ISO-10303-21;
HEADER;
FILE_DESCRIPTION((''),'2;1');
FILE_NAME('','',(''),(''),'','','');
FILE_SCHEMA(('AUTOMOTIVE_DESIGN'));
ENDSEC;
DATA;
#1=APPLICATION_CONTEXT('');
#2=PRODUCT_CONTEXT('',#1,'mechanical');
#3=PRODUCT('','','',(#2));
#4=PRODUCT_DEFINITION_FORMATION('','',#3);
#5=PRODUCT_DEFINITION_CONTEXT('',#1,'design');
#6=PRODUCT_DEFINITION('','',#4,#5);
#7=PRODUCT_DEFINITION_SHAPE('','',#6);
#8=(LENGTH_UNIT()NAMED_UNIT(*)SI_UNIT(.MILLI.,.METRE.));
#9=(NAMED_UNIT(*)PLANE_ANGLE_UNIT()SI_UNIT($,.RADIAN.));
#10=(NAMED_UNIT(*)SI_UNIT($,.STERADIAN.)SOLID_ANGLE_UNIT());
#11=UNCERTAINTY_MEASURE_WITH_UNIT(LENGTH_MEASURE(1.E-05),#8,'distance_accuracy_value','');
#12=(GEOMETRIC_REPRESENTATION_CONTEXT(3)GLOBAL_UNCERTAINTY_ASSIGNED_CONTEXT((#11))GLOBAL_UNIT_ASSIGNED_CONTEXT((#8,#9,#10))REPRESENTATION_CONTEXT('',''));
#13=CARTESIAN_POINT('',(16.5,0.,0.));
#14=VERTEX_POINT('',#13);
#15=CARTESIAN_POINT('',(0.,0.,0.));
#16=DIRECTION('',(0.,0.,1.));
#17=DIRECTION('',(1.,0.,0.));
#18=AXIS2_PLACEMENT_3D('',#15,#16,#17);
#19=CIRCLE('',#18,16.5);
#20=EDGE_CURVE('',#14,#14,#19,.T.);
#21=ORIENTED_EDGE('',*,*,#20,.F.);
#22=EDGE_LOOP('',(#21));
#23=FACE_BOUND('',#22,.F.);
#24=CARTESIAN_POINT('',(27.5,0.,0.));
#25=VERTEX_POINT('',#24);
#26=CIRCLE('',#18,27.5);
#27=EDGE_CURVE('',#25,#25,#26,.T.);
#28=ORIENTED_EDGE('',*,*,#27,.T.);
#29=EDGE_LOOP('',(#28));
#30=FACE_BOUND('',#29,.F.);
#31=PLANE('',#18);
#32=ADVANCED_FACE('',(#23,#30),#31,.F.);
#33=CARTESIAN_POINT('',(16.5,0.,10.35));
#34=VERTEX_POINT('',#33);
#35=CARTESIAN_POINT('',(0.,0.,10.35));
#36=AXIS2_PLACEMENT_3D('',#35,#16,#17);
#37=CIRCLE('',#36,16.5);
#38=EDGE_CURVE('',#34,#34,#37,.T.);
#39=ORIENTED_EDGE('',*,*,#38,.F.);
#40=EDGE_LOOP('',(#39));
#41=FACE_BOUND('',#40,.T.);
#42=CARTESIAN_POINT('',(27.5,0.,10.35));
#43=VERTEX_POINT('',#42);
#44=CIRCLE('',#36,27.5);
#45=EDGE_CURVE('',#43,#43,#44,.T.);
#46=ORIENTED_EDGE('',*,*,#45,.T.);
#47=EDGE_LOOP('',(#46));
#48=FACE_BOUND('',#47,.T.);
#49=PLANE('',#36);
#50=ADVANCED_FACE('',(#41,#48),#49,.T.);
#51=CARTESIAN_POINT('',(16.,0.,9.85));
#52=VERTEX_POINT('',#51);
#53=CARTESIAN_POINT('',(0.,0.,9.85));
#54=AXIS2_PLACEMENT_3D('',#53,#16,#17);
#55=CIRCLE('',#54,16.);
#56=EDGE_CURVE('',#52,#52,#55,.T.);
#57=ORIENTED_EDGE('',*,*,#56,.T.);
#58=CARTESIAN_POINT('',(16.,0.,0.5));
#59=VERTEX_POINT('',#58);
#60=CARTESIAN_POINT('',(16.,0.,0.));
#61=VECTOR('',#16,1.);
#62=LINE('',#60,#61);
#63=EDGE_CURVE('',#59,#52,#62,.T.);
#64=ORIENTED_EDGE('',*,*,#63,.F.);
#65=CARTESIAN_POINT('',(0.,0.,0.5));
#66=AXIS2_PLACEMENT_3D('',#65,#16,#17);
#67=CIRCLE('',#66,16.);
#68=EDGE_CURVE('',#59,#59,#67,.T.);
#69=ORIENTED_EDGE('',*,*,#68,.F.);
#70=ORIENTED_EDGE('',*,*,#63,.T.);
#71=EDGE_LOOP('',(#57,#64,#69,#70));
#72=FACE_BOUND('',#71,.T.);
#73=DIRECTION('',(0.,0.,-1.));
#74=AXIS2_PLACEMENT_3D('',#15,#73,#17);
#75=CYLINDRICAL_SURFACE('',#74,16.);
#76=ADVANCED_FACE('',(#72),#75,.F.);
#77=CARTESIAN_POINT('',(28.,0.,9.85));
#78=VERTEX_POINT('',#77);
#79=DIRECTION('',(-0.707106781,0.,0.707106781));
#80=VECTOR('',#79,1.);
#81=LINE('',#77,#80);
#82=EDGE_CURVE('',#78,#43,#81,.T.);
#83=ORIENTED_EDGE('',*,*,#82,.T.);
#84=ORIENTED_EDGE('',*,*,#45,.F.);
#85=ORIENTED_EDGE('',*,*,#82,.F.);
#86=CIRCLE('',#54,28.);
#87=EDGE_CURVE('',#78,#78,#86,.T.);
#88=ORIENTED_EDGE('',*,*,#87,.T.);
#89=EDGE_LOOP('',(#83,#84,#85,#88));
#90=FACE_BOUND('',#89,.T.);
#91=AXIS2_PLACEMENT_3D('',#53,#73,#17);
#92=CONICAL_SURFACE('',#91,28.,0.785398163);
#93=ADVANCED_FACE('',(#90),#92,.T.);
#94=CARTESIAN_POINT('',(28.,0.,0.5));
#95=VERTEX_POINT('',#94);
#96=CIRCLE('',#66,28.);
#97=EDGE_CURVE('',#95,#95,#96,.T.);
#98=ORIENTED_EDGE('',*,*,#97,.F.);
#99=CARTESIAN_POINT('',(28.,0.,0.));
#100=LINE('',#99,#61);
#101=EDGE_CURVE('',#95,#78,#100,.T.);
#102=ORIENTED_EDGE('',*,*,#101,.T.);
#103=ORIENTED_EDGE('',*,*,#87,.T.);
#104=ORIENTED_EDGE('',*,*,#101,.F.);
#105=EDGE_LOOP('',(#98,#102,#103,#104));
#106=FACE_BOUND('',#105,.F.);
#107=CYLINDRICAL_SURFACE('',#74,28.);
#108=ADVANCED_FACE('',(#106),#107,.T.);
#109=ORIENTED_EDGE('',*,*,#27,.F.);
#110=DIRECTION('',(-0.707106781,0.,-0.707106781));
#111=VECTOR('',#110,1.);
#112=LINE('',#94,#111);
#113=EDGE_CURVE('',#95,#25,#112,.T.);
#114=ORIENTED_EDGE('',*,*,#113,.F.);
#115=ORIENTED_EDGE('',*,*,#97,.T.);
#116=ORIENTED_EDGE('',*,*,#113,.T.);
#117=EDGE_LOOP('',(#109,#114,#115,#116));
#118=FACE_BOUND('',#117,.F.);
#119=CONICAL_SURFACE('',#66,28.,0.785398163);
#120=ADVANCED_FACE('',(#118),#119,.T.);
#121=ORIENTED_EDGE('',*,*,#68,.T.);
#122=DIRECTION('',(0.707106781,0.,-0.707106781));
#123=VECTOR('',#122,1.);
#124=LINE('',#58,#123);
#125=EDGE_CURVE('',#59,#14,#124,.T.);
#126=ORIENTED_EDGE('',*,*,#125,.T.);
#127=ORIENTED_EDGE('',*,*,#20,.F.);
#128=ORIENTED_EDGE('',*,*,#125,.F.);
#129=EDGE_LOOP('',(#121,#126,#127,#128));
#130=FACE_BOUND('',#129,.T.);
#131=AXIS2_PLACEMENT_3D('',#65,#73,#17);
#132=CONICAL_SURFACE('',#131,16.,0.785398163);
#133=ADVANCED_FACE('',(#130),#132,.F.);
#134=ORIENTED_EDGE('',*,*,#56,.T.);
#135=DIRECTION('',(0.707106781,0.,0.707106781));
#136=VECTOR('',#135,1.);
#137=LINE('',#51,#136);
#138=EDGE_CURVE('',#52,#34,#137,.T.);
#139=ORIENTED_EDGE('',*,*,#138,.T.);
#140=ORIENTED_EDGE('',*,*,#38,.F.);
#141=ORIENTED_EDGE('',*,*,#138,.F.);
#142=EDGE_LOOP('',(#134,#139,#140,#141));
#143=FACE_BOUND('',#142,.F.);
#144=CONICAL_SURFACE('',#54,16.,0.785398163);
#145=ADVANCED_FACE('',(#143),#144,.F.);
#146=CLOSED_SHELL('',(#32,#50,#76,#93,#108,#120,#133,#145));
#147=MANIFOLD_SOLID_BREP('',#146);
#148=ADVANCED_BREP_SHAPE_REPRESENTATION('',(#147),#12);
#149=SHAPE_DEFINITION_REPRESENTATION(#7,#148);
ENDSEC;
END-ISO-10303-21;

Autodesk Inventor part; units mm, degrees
ref_plane "YZ Plane" through (0, 0, 0) normal (1, 0, 0) x (0, 1, 0)
ref_plane "XZ Plane" through (0, 0, 0) normal (0, 1, 0) x (-1, 0, 0)
ref_plane "XY Plane" through (0, 0, 0) normal (0, 0, 1) x (1, 0, 0)
sketch "草图1" plane through (0, 0, 0) normal (0, 0, 1) x (1, 0, 0)
  circle A0 centre (0, 0) radius 28
  circle A1 centre (0, 0) radius 16
extrude "拉伸1" add sketch "草图1" along normal blind 10.35
chamfer "倒角1" distance 0.5 angle 45 4 edges at (-16, 0, 10.35) (-16, 0, 0) (-28, 0, 10.35) (-28, 0, 0)
properties part number "my_attempt_v2"
